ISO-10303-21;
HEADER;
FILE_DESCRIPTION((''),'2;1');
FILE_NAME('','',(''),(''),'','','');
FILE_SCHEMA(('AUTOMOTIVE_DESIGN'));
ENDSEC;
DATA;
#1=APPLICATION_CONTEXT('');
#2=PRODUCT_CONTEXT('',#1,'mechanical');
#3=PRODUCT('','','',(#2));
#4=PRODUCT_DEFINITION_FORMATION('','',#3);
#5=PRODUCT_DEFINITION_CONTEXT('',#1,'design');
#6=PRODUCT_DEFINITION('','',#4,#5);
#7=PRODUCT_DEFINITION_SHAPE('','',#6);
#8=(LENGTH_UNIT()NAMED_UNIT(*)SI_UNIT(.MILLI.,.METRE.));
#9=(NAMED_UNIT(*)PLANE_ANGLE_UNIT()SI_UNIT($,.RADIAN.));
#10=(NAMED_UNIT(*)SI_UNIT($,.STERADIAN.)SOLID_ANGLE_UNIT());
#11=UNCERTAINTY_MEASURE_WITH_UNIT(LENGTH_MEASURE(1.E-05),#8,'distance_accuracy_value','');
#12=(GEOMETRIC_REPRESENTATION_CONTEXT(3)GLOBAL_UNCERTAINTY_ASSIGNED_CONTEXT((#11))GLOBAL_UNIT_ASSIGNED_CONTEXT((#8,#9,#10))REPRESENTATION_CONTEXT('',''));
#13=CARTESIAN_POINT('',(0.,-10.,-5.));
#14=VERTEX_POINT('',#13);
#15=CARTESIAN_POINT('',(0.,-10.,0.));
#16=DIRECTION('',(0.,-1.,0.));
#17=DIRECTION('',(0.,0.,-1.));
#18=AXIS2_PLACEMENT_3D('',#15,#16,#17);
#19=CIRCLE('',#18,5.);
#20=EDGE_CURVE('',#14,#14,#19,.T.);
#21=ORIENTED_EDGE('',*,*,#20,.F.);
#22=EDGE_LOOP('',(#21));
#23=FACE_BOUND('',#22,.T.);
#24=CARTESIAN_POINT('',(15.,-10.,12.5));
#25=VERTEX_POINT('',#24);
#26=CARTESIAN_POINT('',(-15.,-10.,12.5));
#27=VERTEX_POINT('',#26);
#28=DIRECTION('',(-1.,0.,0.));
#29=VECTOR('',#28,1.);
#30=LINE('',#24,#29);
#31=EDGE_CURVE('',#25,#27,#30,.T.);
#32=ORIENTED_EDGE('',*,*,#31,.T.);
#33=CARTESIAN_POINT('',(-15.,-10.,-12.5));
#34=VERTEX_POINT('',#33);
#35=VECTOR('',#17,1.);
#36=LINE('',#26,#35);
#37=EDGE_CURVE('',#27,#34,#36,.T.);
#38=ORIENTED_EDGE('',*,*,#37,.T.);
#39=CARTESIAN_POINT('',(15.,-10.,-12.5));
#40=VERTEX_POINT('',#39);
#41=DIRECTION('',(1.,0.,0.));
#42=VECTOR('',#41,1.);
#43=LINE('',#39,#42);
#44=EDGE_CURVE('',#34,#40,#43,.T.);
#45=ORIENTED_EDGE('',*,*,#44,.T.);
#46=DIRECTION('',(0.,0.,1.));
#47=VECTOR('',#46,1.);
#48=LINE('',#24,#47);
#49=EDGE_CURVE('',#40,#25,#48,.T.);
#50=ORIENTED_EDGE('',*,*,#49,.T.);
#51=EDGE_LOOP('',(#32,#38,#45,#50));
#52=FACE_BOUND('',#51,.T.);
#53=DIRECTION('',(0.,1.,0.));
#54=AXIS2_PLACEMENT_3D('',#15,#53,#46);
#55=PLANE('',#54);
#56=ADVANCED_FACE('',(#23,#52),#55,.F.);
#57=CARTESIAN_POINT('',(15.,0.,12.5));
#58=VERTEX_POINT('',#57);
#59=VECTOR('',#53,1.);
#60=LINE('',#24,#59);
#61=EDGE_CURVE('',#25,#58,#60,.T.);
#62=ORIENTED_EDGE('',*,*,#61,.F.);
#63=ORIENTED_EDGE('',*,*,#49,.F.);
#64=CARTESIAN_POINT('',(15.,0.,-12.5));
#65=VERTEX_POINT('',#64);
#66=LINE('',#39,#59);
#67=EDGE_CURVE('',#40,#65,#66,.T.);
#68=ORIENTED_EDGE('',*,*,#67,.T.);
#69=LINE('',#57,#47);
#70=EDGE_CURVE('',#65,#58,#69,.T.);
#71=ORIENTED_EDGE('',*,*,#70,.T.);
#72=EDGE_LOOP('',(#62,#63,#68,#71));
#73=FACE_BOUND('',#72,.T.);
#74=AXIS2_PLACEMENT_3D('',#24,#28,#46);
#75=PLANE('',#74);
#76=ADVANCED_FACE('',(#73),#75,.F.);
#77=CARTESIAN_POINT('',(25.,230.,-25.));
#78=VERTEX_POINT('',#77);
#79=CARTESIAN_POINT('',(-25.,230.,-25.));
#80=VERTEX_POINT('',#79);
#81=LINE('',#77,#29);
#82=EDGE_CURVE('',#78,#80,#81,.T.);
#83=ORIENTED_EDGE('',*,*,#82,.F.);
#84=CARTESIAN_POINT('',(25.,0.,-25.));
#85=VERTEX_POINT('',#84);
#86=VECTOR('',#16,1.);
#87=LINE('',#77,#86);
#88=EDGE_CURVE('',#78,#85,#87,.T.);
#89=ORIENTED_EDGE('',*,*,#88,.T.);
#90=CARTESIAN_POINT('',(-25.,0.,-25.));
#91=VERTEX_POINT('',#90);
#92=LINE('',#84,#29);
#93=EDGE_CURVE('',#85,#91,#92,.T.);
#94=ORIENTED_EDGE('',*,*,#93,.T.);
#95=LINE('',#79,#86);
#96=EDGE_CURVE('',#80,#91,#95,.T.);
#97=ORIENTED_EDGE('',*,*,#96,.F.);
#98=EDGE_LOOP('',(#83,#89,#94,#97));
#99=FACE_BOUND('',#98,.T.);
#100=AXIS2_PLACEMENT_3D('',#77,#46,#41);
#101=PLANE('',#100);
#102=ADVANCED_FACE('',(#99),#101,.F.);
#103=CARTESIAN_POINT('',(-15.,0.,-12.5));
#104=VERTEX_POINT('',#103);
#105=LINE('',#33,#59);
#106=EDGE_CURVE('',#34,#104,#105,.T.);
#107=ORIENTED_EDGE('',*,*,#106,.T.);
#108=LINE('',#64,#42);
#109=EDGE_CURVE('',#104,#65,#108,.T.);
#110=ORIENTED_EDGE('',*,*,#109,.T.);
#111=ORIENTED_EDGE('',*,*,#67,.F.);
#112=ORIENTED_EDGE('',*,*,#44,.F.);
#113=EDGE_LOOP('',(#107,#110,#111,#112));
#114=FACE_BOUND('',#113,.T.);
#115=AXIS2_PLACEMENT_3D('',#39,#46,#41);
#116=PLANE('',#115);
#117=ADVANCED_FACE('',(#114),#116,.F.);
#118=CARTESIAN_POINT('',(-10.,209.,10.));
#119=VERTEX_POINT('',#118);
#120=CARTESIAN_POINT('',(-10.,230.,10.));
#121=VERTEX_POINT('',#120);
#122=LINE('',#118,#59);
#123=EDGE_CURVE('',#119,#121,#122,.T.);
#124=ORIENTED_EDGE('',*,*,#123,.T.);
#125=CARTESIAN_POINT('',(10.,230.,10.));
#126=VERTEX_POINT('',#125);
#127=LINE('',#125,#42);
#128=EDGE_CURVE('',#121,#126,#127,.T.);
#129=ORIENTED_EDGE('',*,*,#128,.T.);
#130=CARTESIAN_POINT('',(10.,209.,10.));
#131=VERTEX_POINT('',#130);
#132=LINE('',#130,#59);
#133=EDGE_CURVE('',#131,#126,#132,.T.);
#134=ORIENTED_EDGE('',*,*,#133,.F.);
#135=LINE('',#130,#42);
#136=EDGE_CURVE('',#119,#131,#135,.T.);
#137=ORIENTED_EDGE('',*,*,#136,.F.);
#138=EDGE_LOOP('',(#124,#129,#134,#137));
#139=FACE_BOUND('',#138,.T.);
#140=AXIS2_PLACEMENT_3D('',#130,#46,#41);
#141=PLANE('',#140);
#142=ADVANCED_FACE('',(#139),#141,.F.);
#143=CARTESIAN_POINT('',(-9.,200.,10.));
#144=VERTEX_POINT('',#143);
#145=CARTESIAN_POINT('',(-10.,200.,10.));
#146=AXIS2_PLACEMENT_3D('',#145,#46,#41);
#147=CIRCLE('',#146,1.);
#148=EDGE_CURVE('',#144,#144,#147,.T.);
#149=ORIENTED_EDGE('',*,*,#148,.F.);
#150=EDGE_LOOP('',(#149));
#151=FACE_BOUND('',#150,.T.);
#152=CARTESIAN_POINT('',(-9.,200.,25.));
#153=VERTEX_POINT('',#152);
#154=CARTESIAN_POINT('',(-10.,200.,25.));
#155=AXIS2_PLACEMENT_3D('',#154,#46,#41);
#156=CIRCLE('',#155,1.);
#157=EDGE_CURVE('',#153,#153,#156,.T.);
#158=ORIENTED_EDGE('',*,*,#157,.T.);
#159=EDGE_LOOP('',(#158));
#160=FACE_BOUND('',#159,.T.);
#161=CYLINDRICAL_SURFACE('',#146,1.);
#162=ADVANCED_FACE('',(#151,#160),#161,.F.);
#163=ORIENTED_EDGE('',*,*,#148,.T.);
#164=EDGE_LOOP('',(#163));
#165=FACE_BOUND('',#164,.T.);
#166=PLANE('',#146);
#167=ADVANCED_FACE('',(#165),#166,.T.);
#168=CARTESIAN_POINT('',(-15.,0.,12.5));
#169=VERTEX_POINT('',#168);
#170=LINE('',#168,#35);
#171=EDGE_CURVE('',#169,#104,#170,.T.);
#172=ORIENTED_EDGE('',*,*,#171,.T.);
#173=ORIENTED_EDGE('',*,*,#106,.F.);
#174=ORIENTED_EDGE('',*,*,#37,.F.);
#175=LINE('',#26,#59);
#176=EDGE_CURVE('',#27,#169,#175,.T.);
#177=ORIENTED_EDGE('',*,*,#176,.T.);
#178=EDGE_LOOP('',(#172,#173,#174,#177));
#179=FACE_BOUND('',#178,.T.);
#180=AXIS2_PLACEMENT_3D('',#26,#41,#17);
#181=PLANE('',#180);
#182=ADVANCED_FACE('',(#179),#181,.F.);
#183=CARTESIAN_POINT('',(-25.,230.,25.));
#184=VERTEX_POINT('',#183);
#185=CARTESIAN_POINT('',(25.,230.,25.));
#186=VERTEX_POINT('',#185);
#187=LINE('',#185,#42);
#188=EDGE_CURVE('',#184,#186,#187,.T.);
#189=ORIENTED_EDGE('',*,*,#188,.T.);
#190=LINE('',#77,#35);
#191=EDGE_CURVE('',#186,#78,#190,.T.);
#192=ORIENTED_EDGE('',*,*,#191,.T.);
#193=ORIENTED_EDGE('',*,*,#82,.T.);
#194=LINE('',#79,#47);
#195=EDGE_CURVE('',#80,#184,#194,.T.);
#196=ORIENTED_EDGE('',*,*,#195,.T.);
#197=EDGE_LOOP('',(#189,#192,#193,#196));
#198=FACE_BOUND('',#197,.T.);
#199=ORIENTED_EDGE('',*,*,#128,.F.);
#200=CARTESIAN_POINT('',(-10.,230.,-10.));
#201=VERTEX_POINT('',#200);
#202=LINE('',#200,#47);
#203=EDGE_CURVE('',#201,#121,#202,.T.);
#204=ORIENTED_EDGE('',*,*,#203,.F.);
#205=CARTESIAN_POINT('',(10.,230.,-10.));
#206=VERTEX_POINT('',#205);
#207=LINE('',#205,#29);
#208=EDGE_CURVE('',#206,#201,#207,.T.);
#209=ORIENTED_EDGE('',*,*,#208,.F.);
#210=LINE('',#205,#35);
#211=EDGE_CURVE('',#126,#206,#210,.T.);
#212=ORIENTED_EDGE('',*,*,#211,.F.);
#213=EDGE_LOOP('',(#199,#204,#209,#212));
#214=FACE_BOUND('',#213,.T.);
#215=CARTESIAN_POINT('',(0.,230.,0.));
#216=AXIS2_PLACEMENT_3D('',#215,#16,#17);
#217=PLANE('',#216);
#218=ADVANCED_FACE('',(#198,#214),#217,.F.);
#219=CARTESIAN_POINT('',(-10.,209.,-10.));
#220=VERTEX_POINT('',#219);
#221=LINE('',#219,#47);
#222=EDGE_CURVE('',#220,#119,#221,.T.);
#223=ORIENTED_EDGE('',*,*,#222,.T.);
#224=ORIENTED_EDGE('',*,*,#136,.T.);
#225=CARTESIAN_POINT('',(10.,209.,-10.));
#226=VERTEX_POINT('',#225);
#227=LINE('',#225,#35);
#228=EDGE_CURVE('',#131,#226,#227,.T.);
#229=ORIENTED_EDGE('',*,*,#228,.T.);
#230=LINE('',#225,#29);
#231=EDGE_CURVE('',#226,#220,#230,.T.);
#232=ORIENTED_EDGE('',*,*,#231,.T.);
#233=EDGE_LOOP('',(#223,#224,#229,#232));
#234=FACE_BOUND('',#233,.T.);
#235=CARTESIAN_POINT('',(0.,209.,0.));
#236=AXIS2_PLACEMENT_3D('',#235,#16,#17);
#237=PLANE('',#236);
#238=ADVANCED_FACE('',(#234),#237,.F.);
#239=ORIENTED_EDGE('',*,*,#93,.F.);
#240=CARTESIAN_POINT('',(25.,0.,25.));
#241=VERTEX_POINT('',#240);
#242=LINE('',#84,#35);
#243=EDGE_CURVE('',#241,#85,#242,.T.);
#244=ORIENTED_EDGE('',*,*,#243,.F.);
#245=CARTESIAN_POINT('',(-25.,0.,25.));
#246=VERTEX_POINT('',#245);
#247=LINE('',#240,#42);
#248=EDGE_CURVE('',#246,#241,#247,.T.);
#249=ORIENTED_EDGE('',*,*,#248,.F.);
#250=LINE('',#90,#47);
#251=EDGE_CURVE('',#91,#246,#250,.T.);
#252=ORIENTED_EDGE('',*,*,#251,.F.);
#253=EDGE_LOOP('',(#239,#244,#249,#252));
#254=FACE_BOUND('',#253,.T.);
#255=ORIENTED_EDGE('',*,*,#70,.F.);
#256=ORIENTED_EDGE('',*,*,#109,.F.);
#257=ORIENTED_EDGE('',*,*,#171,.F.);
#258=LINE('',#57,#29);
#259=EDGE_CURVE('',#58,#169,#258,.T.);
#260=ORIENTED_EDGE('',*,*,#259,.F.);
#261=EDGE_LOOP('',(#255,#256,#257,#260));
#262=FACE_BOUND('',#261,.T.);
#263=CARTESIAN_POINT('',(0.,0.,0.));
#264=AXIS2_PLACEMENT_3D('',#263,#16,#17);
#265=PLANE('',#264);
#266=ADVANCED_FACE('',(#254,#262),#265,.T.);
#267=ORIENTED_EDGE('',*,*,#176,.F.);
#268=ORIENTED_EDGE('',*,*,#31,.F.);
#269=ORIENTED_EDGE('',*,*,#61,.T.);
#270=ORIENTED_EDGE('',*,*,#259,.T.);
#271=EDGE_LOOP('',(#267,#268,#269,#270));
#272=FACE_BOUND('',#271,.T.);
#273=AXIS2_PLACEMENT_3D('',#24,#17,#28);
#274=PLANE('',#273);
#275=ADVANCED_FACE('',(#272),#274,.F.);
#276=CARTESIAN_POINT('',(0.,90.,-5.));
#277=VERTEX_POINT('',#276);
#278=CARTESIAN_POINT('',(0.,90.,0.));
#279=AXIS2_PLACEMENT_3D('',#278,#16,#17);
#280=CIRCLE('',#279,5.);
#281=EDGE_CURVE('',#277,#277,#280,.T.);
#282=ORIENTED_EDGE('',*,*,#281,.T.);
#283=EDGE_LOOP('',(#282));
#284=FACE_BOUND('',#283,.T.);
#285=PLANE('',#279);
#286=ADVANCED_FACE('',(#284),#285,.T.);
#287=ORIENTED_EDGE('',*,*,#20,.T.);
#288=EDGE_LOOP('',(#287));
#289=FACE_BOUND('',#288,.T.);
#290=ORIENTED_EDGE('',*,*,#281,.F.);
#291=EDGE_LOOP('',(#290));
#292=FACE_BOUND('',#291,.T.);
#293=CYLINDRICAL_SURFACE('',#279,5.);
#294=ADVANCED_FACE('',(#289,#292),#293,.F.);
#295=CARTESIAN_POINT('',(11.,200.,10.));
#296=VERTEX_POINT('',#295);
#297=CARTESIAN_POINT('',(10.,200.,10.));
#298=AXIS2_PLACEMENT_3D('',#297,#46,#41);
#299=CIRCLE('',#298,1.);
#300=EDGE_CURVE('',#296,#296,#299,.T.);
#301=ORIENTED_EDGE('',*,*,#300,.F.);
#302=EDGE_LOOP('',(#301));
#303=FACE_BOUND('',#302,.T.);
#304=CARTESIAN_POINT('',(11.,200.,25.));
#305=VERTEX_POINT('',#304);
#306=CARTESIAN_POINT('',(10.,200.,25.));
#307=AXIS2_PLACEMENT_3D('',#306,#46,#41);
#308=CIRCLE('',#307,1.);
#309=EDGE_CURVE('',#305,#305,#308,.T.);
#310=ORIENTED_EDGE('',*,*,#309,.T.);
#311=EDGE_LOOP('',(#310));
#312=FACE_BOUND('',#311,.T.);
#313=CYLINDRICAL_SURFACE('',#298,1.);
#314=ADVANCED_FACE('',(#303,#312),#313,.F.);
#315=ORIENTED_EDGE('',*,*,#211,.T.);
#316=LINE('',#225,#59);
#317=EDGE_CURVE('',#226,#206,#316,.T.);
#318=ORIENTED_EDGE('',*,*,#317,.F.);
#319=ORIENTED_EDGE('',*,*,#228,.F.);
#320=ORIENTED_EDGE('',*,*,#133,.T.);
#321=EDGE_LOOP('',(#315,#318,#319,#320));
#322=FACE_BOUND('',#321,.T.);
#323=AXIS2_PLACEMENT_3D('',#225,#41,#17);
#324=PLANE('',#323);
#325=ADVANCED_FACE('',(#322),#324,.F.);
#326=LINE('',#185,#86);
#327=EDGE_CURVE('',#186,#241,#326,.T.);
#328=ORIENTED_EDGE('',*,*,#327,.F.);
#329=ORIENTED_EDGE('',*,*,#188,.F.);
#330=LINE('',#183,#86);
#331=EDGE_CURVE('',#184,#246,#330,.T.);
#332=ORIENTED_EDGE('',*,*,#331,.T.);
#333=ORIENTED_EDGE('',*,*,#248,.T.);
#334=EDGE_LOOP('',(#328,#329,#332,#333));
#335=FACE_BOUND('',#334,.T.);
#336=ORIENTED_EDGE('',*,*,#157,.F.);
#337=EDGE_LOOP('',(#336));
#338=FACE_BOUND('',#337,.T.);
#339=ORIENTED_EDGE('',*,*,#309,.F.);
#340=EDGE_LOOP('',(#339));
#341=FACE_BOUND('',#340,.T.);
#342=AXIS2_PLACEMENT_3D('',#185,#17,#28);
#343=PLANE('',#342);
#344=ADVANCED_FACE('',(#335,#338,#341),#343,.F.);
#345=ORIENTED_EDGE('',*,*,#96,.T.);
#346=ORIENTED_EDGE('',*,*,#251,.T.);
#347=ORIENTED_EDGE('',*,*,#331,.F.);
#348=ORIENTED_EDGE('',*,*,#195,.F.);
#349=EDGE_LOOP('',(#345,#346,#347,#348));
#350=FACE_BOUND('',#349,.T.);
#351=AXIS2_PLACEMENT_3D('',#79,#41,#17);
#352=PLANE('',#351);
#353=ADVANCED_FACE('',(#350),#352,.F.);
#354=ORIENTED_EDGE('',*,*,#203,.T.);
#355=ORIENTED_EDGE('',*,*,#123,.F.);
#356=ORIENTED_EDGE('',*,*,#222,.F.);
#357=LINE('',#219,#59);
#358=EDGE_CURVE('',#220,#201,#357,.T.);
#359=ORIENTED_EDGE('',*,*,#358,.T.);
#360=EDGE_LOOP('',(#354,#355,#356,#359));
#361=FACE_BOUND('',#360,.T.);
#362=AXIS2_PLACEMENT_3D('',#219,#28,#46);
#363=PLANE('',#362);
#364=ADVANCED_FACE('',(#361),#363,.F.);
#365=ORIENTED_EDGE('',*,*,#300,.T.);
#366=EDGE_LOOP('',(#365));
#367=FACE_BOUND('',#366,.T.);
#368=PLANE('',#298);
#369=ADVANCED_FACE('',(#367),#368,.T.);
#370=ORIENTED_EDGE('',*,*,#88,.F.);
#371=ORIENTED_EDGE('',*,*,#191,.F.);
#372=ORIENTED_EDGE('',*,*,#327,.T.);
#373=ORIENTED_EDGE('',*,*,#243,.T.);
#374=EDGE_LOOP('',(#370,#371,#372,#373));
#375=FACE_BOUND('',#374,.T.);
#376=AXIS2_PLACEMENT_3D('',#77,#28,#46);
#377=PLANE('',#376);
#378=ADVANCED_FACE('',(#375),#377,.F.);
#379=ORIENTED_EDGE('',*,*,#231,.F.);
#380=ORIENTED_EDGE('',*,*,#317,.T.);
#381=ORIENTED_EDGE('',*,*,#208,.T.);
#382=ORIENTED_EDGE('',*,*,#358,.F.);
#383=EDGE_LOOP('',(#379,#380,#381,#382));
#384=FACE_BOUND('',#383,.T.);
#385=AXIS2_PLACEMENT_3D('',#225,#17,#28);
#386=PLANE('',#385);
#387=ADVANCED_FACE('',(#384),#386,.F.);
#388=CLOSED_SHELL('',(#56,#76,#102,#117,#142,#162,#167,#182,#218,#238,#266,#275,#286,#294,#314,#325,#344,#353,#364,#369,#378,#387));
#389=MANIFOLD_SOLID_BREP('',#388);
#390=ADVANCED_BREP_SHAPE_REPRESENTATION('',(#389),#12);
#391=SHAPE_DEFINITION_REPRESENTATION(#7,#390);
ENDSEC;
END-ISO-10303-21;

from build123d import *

# Parameters (mm, degrees)
SKETCH1_W           = 50
SKETCH1_H           = 50
BOSS_EXTRUDE1_DEPTH = 230
SKETCH2_W           = 30
SKETCH2_H           = 25
BOSS_EXTRUDE2_DEPTH = 10
SKETCH3_R           = 5
CUT_EXTRUDE1_DEPTH  = 100
SKETCH4_W           = 20
SKETCH4_H           = 20
CUT_EXTRUDE2_DEPTH  = 21
SKETCH5_R           = 1
CUT_EXTRUDE3_DEPTH  = 15


with BuildPart() as part:
    # Sketch1 → Boss-Extrude1 (new body)
    with BuildSketch(Plane(origin=(0, 0, 0), x_dir=(1, 0, 0), z_dir=(0, 1, 0))):
        Rectangle(SKETCH1_W, SKETCH1_H)
    extrude(amount=BOSS_EXTRUDE1_DEPTH)

    # Sketch2 → Boss-Extrude2 (add)
    with BuildSketch(Plane(origin=(0, 0, 0), x_dir=(-1, 0, 0), z_dir=(0, -1, 0))):
        Rectangle(SKETCH2_W, SKETCH2_H)
    extrude(amount=BOSS_EXTRUDE2_DEPTH)

    # Sketch3 → Cut-Extrude1 (cut)
    with BuildSketch(Plane(origin=(0, -10, 0), x_dir=(-1, 0, 0), z_dir=(0, -1, 0))):
        Circle(SKETCH3_R)
    extrude(amount=-CUT_EXTRUDE1_DEPTH, mode=Mode.SUBTRACT)

    # Sketch4 → Cut-Extrude2 (cut)
    with BuildSketch(Plane(origin=(0, 230, 0), x_dir=(1, 0, 0), z_dir=(0, 1, 0))):
        Rectangle(SKETCH4_W, SKETCH4_H)
    extrude(amount=-CUT_EXTRUDE2_DEPTH, mode=Mode.SUBTRACT)

    # Sketch5 → Cut-Extrude3 (cut)
    with BuildSketch(Plane.XY.offset(25)):
        with Locations((10, 200)):
            Circle(SKETCH5_R)
        with Locations((-10, 200)):
            Circle(SKETCH5_R)
    extrude(amount=-CUT_EXTRUDE3_DEPTH, mode=Mode.SUBTRACT)


solid = part.part
